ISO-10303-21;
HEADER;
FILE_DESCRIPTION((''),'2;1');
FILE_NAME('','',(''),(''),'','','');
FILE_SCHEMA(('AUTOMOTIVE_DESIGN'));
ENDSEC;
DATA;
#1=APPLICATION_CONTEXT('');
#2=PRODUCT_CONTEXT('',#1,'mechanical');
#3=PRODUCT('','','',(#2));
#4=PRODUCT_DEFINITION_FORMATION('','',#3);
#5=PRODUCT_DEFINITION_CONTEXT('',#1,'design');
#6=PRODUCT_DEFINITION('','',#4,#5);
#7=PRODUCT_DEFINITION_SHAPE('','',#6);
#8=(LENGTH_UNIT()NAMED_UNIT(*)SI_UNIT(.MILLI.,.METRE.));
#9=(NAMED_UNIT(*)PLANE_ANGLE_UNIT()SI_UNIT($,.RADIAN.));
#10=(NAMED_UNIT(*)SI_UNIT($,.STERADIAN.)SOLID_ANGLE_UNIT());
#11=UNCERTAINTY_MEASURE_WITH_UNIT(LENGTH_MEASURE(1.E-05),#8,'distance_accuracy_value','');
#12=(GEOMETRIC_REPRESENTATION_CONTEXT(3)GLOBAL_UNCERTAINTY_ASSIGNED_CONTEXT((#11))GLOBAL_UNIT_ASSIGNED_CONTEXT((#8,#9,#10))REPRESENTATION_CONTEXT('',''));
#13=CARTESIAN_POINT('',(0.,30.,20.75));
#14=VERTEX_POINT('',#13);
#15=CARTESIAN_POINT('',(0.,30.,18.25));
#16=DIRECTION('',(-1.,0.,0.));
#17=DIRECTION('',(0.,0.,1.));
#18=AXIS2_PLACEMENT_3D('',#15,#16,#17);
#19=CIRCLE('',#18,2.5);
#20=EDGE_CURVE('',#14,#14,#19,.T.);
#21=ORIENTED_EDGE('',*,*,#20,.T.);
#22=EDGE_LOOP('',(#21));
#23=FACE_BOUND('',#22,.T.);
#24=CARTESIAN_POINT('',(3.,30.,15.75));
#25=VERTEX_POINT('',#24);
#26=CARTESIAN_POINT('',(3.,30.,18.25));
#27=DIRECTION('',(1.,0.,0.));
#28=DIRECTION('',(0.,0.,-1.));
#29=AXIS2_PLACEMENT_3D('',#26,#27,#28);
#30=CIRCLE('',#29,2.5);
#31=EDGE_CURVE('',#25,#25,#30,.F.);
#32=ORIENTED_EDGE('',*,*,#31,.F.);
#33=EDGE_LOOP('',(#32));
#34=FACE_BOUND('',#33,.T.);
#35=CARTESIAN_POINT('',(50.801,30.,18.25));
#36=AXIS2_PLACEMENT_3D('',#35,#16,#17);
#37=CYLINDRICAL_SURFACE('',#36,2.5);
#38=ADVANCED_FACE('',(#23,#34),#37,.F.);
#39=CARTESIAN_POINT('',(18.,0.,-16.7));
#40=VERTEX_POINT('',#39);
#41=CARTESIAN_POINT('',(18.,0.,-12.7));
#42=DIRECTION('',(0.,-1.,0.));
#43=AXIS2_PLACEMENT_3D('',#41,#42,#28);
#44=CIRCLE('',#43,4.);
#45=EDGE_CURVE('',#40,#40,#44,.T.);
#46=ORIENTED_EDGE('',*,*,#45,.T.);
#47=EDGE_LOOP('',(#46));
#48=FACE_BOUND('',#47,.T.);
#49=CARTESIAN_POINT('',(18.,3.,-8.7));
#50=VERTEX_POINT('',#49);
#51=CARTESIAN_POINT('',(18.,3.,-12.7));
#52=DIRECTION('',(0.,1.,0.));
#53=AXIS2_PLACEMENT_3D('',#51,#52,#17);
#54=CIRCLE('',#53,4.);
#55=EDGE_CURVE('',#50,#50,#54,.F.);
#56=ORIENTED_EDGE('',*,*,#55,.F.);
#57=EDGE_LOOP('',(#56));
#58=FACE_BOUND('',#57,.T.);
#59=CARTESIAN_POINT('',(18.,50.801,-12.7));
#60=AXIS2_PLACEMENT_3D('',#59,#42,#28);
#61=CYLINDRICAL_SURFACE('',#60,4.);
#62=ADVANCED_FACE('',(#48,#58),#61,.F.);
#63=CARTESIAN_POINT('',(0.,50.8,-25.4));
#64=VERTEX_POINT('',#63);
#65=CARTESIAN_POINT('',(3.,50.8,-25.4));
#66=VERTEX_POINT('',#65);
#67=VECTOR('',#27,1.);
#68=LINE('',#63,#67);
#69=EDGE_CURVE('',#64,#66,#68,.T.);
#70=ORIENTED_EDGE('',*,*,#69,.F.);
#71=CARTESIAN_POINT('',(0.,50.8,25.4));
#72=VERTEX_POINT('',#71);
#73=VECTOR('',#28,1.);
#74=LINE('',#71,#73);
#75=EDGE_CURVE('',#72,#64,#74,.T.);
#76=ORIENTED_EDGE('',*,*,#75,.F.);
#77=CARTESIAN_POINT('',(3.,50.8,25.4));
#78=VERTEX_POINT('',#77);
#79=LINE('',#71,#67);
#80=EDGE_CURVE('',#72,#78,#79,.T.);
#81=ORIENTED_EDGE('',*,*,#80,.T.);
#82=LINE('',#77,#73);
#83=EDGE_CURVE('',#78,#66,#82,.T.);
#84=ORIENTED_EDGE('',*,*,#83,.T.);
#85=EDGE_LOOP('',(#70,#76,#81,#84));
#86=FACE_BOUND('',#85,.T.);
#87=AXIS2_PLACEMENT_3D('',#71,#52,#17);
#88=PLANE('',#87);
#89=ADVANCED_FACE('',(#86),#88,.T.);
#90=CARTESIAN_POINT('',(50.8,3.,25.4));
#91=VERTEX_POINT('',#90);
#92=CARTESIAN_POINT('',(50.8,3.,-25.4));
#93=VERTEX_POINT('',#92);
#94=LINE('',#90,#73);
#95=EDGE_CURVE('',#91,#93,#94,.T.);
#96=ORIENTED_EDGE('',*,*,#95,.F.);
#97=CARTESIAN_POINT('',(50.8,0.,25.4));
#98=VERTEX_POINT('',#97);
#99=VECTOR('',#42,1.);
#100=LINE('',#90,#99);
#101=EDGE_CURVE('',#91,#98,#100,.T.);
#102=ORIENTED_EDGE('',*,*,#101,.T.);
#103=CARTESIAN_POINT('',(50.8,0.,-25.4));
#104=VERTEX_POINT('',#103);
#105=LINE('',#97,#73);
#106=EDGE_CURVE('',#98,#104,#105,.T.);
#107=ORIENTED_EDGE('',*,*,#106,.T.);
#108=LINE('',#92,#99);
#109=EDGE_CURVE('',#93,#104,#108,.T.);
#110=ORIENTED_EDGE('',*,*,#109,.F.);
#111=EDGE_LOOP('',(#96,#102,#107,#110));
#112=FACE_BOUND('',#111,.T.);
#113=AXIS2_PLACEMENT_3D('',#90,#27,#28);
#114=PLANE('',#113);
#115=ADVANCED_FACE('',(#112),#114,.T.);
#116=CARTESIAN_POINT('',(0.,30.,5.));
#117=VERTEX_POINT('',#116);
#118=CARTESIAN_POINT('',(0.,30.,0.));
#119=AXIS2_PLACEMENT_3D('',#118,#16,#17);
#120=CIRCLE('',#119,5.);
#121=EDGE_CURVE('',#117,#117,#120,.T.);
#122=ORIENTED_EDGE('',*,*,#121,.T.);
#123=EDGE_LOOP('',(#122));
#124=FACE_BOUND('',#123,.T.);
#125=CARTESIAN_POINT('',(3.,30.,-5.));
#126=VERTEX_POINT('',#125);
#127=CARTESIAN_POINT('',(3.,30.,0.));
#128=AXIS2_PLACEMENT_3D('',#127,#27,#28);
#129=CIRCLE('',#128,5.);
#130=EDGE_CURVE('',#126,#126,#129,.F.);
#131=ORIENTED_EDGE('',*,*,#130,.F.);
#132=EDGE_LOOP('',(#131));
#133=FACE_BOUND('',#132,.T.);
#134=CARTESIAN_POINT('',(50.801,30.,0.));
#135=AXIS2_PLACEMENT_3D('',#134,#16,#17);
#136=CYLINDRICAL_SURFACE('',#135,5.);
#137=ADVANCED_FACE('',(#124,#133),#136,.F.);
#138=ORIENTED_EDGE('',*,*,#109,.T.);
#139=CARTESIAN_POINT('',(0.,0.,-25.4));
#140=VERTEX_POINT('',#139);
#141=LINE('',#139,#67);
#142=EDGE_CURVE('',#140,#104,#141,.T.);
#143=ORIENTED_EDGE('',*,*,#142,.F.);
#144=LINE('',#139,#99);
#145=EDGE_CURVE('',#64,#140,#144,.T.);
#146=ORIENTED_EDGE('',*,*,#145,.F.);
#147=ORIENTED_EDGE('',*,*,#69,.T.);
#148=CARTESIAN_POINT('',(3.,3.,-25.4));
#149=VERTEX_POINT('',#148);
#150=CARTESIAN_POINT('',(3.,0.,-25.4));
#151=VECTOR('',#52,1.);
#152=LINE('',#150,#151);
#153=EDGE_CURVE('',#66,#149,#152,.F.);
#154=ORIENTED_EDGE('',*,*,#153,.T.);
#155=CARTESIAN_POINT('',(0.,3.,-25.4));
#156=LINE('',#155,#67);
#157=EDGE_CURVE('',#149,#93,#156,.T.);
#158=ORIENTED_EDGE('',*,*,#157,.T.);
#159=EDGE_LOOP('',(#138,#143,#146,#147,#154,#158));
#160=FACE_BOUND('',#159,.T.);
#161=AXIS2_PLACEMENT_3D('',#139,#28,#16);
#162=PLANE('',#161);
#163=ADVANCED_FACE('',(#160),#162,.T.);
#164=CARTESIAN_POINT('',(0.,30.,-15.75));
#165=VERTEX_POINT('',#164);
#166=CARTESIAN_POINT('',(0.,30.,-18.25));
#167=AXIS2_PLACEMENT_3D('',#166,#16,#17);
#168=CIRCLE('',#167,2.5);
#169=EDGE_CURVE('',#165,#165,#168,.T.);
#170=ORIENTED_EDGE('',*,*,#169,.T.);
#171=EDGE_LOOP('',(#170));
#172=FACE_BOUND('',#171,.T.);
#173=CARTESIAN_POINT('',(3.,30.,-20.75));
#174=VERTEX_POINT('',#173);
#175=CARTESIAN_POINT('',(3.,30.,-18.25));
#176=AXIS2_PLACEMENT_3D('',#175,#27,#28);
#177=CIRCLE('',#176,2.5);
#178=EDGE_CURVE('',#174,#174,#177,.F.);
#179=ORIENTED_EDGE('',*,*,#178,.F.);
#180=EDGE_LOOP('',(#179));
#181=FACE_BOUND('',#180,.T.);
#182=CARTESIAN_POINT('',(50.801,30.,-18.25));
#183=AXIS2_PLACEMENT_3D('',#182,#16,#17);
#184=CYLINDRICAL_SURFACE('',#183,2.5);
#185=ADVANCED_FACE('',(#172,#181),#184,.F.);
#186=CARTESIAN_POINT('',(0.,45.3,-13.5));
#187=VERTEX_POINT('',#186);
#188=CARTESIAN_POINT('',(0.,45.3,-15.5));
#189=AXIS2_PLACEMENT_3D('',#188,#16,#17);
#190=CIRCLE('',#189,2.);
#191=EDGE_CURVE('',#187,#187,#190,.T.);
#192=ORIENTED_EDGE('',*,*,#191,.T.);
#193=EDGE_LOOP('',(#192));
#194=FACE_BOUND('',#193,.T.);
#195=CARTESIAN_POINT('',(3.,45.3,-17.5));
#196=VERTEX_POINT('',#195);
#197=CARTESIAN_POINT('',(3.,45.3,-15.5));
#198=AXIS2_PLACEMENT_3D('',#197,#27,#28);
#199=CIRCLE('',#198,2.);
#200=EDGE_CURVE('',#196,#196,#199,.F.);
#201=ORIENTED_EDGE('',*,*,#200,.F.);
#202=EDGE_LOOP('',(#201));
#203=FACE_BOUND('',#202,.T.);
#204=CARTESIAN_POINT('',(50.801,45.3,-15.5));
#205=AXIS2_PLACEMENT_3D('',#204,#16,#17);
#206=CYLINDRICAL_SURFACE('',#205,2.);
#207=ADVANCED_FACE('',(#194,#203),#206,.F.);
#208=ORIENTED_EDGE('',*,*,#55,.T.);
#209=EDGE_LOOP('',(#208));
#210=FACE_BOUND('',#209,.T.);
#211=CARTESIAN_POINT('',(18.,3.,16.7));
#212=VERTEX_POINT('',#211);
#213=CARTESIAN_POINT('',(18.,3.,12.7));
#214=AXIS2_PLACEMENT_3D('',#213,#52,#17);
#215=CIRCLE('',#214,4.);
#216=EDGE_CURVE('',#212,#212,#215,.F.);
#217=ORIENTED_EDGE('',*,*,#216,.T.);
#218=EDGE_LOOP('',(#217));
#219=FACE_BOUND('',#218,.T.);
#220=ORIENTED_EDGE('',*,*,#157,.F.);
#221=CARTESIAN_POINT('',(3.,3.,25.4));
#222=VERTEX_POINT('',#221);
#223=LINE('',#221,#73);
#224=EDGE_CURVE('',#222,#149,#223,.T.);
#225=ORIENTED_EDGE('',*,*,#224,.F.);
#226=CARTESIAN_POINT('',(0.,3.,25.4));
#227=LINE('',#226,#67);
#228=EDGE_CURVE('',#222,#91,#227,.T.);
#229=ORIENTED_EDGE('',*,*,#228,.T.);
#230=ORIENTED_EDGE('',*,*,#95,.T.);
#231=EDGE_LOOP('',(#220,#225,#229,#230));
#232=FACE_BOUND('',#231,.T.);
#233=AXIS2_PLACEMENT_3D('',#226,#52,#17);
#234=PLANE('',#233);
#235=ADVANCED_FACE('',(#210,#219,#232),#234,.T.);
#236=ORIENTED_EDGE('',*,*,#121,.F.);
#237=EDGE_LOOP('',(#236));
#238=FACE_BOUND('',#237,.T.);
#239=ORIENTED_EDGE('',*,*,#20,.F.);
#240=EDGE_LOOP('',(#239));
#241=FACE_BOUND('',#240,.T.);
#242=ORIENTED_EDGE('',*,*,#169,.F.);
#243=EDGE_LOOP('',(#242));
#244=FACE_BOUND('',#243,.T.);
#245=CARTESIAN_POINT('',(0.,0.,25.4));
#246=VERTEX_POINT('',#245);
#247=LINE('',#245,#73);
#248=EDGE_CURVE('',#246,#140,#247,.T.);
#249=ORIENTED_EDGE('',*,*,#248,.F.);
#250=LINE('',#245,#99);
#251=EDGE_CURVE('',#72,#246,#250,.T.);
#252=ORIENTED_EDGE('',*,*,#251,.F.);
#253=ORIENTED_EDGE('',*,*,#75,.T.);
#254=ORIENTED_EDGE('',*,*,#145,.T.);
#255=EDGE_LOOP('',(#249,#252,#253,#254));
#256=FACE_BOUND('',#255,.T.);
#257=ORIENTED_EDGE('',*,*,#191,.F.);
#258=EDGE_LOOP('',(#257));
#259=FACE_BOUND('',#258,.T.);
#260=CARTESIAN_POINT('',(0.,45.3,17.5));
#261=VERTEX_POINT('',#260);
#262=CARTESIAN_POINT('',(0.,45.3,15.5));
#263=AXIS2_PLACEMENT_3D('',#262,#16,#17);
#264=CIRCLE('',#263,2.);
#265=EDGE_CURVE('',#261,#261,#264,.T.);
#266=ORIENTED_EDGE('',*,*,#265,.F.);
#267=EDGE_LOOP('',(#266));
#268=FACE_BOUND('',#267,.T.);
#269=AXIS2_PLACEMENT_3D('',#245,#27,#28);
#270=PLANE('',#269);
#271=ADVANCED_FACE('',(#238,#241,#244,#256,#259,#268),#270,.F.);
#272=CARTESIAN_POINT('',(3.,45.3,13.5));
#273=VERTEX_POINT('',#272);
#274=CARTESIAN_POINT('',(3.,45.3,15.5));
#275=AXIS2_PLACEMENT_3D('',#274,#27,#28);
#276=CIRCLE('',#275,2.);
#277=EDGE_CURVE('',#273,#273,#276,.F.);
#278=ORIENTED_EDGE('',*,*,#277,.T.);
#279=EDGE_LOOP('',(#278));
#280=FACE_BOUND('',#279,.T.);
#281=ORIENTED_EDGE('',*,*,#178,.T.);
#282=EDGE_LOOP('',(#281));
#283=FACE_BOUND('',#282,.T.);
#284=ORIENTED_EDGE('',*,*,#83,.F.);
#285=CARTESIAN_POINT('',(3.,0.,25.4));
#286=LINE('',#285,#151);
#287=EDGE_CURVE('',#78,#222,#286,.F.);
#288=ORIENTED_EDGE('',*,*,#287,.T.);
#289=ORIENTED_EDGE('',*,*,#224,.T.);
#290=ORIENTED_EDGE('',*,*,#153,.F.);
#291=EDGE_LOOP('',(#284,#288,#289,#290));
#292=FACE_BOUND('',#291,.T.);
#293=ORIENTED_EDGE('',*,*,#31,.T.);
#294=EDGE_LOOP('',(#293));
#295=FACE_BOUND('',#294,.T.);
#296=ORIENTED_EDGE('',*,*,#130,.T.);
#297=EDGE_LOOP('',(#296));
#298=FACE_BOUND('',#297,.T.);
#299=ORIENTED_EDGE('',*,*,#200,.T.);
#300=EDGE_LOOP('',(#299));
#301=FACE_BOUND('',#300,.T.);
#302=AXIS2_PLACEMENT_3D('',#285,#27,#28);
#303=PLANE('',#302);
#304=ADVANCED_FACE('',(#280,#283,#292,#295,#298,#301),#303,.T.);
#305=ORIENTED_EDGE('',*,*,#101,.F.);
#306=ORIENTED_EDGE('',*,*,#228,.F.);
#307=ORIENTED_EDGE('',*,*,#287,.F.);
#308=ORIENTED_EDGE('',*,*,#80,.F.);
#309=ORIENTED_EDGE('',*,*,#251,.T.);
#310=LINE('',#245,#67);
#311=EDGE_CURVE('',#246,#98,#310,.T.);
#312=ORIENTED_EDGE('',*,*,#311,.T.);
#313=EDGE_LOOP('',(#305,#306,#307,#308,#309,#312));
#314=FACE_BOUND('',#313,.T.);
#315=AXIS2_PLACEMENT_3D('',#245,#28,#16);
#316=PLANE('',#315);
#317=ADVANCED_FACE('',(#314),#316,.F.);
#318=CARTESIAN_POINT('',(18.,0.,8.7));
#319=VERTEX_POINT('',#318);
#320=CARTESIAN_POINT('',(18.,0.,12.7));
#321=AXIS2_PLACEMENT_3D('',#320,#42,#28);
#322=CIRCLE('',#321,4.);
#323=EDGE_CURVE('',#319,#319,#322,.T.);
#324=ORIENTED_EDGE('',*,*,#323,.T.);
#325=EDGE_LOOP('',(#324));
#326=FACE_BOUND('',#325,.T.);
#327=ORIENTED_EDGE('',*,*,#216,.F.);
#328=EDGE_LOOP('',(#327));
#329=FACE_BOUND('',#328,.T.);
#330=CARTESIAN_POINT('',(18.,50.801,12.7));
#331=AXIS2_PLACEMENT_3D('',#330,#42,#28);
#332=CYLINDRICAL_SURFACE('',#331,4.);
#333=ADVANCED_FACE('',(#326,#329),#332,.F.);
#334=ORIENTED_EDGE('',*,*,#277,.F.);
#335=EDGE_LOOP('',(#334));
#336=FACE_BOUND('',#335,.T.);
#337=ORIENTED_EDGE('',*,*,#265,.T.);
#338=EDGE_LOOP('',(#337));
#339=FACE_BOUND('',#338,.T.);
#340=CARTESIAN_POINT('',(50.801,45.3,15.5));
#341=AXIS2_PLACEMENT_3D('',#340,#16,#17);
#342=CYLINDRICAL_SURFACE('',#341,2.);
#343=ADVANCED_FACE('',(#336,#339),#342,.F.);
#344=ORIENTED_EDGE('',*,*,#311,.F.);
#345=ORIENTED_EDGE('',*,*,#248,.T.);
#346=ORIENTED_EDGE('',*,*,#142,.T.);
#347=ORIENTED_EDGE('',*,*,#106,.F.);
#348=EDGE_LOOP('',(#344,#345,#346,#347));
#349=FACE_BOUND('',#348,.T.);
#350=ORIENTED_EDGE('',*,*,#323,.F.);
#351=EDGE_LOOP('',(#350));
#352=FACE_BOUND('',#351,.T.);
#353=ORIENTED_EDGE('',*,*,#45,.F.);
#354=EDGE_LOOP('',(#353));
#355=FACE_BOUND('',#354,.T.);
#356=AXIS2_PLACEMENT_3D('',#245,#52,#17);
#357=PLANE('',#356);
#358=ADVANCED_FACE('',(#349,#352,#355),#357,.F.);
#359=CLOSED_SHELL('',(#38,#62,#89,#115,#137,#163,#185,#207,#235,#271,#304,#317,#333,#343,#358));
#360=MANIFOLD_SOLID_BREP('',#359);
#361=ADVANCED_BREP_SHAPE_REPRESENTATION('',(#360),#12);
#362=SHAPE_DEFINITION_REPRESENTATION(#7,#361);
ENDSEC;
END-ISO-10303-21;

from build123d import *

# Parameters (mm, degrees)
EXTRUDE_THIN1_DEPTH = 25.4
CUT_EXTRUDE1_REACH  = 78.2
SKETCH2_R           = 2.5
SKETCH2_R_2         = 5
CUT_EXTRUDE2_REACH  = 78.2
SKETCH3_R           = 4
CUT_EXTRUDE3_REACH  = 78.2
SKETCH4_R           = 2


with BuildPart() as part:
    # Sketch1 → Extrude-Thin1 (new, symmetric)
    with BuildSketch(Plane.XY):
        Polygon((50.8, 0), (0, 0), (0, 50.8), (3, 50.8), (3, 3), (50.8, 3), align=None)
    extrude(amount=EXTRUDE_THIN1_DEPTH, both=True)

    # Sketch2 → Cut-Extrude1 (cut, up to next)
    with BuildSketch(Plane.ZY, mode=Mode.PRIVATE) as cut_extrude1_sk1:
        with Locations((-18.25, 30)):
            Circle(SKETCH2_R)
    cut_extrude1_tool1 = extrude(cut_extrude1_sk1.sketch, amount=-CUT_EXTRUDE1_REACH, mode=Mode.PRIVATE) & part.part
    # Sketch2 → Cut-Extrude1 (cut, up to next)
    with BuildSketch(Plane.ZY, mode=Mode.PRIVATE) as cut_extrude1_sk2:
        with Locations((18.25, 30)):
            Circle(SKETCH2_R)
    cut_extrude1_tool2 = extrude(cut_extrude1_sk2.sketch, amount=-CUT_EXTRUDE1_REACH, mode=Mode.PRIVATE) & part.part
    # Sketch2 → Cut-Extrude1 (cut, up to next)
    with BuildSketch(Plane.ZY, mode=Mode.PRIVATE) as cut_extrude1_sk3:
        with Locations((0, 30)):
            Circle(SKETCH2_R_2)
    cut_extrude1_tool3 = extrude(cut_extrude1_sk3.sketch, amount=-CUT_EXTRUDE1_REACH, mode=Mode.PRIVATE) & part.part
    add(cut_extrude1_tool1.solids().sort_by_distance((0, 30, -18.25))[0], mode=Mode.SUBTRACT)
    add(cut_extrude1_tool2.solids().sort_by_distance((0, 30, 18.25))[0], mode=Mode.SUBTRACT)
    add(cut_extrude1_tool3.solids().sort_by_distance((0, 30, 0))[0], mode=Mode.SUBTRACT)

    # Sketch3 → Cut-Extrude2 (cut, up to next)
    with BuildSketch(Plane.XZ, mode=Mode.PRIVATE) as cut_extrude2_sk1:
        with Locations(Location((18, 12.7, 0), (0, 0, 270))):
            Circle(SKETCH3_R)
    cut_extrude2_tool1 = extrude(cut_extrude2_sk1.sketch, amount=-CUT_EXTRUDE2_REACH, mode=Mode.PRIVATE) & part.part
    # Sketch3 → Cut-Extrude2 (cut, up to next)
    with BuildSketch(Plane.XZ, mode=Mode.PRIVATE) as cut_extrude2_sk2:
        with Locations(Location((18, -12.7, 0), (0, 0, 270))):
            Circle(SKETCH3_R)
    cut_extrude2_tool2 = extrude(cut_extrude2_sk2.sketch, amount=-CUT_EXTRUDE2_REACH, mode=Mode.PRIVATE) & part.part
    add(cut_extrude2_tool1.solids().sort_by_distance((18, 0, 12.7))[0], mode=Mode.SUBTRACT)
    add(cut_extrude2_tool2.solids().sort_by_distance((18, 0, -12.7))[0], mode=Mode.SUBTRACT)

    # Sketch4 → Cut-Extrude3 (cut, up to next)
    with BuildSketch(Plane.ZY, mode=Mode.PRIVATE) as cut_extrude3_sk1:
        with Locations((-15.5, 45.3)):
            Circle(SKETCH4_R)
    cut_extrude3_tool1 = extrude(cut_extrude3_sk1.sketch, amount=-CUT_EXTRUDE3_REACH, mode=Mode.PRIVATE) & part.part
    # Sketch4 → Cut-Extrude3 (cut, up to next)
    with BuildSketch(Plane.ZY, mode=Mode.PRIVATE) as cut_extrude3_sk2:
        with Locations((15.5, 45.3)):
            Circle(SKETCH4_R)
    cut_extrude3_tool2 = extrude(cut_extrude3_sk2.sketch, amount=-CUT_EXTRUDE3_REACH, mode=Mode.PRIVATE) & part.part
    add(cut_extrude3_tool1.solids().sort_by_distance((0, 45.3, -15.5))[0], mode=Mode.SUBTRACT)
    add(cut_extrude3_tool2.solids().sort_by_distance((0, 45.3, 15.5))[0], mode=Mode.SUBTRACT)


solid = part.part
